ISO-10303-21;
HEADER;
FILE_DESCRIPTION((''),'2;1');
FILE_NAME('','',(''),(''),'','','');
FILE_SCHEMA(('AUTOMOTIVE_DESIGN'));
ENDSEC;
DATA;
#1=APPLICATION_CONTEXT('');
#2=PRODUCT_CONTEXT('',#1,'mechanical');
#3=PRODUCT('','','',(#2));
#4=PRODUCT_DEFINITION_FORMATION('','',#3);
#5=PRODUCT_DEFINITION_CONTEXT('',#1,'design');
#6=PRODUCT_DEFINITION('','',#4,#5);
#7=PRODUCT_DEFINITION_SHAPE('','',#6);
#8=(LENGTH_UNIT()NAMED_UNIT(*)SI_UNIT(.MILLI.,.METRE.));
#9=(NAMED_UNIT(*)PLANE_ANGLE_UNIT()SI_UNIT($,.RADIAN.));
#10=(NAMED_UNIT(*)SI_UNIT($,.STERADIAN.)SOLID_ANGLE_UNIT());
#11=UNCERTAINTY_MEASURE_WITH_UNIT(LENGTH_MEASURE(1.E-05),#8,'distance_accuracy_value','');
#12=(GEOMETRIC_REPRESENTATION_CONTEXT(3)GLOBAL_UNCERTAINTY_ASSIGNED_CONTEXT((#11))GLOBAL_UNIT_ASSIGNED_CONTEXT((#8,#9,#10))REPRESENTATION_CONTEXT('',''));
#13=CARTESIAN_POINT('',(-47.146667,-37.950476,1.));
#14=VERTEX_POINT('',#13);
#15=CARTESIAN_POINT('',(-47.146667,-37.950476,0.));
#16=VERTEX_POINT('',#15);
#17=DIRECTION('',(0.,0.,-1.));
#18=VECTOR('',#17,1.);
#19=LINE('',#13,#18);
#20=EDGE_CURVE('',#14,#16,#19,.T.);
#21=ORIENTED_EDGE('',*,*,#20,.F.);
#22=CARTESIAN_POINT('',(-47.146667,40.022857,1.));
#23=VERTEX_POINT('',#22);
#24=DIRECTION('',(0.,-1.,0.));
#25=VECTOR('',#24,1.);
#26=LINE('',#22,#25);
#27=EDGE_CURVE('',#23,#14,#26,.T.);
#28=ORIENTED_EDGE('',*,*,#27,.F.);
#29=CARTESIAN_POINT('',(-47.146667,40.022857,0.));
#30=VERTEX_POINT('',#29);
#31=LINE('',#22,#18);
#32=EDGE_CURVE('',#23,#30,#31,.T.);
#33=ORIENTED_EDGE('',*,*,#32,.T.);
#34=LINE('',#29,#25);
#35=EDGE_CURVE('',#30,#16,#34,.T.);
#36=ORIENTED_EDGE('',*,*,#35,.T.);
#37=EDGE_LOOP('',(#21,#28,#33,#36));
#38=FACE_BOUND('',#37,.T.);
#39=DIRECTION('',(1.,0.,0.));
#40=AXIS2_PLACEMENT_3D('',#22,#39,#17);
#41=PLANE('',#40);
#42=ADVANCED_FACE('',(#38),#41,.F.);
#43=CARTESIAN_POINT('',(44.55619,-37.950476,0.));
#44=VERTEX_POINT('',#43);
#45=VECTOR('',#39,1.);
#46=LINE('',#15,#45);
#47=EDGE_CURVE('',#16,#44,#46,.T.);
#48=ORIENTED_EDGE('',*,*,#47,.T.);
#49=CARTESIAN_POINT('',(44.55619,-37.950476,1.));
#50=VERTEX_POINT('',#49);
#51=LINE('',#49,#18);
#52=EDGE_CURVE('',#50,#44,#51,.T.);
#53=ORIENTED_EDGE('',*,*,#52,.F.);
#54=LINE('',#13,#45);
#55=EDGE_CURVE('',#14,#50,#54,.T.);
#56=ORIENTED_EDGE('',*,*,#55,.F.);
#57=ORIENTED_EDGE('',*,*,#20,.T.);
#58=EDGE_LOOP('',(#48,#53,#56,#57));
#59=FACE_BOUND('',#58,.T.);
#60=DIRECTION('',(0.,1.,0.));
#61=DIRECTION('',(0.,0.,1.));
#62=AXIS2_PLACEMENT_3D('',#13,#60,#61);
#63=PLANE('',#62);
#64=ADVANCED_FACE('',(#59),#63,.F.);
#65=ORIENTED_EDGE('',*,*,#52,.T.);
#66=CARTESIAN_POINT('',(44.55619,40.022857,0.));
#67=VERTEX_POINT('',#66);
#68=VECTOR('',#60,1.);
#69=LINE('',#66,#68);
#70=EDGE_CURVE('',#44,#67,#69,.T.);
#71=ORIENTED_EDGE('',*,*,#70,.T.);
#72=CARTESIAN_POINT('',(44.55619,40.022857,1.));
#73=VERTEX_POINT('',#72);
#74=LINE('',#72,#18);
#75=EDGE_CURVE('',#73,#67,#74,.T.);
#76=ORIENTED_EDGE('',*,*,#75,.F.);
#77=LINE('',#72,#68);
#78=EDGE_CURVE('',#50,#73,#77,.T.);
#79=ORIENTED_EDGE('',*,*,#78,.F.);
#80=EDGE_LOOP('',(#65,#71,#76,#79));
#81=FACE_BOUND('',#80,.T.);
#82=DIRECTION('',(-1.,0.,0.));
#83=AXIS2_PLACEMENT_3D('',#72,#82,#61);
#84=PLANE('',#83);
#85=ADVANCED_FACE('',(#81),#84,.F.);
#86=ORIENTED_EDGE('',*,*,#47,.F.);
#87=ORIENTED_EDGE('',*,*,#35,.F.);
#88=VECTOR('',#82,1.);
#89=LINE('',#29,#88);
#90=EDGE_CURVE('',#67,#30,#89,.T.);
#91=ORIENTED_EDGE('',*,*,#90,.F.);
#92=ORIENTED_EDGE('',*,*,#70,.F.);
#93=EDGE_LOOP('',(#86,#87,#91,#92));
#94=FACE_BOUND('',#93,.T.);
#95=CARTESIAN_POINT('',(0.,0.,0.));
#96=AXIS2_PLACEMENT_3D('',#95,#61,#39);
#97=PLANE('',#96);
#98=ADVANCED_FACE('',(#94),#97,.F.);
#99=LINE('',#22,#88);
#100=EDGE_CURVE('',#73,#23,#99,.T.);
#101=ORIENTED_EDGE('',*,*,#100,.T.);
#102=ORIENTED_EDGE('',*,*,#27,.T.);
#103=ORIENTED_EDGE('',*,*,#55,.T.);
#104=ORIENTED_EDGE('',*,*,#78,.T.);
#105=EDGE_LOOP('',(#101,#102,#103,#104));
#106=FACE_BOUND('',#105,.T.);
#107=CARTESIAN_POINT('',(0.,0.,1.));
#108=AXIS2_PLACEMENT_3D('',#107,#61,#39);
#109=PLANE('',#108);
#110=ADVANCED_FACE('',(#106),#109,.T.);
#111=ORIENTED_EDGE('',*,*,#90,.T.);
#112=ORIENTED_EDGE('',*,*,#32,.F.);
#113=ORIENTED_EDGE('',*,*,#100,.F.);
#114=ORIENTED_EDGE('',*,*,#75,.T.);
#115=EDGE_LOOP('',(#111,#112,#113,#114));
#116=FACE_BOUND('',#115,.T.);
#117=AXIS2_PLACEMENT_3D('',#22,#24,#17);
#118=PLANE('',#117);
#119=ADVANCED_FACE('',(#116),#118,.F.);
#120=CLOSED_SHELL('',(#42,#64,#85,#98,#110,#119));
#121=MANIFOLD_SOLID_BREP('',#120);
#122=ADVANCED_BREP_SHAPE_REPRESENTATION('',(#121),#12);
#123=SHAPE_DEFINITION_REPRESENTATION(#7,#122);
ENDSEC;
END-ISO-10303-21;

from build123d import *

# Parameters (mm, degrees)
SKETCH1_W           = 91.702857143
SKETCH1_H           = 77.973333333
BOSS_EXTRUDE1_DEPTH = 1


with BuildPart() as part:
    # Sketch1 → Boss-Extrude1 (new body)
    with BuildSketch(Plane.XY):
        with Locations((-1.295238096, 1.036190476)):
            Rectangle(SKETCH1_W, SKETCH1_H)
    extrude(amount=BOSS_EXTRUDE1_DEPTH)


solid = part.part
